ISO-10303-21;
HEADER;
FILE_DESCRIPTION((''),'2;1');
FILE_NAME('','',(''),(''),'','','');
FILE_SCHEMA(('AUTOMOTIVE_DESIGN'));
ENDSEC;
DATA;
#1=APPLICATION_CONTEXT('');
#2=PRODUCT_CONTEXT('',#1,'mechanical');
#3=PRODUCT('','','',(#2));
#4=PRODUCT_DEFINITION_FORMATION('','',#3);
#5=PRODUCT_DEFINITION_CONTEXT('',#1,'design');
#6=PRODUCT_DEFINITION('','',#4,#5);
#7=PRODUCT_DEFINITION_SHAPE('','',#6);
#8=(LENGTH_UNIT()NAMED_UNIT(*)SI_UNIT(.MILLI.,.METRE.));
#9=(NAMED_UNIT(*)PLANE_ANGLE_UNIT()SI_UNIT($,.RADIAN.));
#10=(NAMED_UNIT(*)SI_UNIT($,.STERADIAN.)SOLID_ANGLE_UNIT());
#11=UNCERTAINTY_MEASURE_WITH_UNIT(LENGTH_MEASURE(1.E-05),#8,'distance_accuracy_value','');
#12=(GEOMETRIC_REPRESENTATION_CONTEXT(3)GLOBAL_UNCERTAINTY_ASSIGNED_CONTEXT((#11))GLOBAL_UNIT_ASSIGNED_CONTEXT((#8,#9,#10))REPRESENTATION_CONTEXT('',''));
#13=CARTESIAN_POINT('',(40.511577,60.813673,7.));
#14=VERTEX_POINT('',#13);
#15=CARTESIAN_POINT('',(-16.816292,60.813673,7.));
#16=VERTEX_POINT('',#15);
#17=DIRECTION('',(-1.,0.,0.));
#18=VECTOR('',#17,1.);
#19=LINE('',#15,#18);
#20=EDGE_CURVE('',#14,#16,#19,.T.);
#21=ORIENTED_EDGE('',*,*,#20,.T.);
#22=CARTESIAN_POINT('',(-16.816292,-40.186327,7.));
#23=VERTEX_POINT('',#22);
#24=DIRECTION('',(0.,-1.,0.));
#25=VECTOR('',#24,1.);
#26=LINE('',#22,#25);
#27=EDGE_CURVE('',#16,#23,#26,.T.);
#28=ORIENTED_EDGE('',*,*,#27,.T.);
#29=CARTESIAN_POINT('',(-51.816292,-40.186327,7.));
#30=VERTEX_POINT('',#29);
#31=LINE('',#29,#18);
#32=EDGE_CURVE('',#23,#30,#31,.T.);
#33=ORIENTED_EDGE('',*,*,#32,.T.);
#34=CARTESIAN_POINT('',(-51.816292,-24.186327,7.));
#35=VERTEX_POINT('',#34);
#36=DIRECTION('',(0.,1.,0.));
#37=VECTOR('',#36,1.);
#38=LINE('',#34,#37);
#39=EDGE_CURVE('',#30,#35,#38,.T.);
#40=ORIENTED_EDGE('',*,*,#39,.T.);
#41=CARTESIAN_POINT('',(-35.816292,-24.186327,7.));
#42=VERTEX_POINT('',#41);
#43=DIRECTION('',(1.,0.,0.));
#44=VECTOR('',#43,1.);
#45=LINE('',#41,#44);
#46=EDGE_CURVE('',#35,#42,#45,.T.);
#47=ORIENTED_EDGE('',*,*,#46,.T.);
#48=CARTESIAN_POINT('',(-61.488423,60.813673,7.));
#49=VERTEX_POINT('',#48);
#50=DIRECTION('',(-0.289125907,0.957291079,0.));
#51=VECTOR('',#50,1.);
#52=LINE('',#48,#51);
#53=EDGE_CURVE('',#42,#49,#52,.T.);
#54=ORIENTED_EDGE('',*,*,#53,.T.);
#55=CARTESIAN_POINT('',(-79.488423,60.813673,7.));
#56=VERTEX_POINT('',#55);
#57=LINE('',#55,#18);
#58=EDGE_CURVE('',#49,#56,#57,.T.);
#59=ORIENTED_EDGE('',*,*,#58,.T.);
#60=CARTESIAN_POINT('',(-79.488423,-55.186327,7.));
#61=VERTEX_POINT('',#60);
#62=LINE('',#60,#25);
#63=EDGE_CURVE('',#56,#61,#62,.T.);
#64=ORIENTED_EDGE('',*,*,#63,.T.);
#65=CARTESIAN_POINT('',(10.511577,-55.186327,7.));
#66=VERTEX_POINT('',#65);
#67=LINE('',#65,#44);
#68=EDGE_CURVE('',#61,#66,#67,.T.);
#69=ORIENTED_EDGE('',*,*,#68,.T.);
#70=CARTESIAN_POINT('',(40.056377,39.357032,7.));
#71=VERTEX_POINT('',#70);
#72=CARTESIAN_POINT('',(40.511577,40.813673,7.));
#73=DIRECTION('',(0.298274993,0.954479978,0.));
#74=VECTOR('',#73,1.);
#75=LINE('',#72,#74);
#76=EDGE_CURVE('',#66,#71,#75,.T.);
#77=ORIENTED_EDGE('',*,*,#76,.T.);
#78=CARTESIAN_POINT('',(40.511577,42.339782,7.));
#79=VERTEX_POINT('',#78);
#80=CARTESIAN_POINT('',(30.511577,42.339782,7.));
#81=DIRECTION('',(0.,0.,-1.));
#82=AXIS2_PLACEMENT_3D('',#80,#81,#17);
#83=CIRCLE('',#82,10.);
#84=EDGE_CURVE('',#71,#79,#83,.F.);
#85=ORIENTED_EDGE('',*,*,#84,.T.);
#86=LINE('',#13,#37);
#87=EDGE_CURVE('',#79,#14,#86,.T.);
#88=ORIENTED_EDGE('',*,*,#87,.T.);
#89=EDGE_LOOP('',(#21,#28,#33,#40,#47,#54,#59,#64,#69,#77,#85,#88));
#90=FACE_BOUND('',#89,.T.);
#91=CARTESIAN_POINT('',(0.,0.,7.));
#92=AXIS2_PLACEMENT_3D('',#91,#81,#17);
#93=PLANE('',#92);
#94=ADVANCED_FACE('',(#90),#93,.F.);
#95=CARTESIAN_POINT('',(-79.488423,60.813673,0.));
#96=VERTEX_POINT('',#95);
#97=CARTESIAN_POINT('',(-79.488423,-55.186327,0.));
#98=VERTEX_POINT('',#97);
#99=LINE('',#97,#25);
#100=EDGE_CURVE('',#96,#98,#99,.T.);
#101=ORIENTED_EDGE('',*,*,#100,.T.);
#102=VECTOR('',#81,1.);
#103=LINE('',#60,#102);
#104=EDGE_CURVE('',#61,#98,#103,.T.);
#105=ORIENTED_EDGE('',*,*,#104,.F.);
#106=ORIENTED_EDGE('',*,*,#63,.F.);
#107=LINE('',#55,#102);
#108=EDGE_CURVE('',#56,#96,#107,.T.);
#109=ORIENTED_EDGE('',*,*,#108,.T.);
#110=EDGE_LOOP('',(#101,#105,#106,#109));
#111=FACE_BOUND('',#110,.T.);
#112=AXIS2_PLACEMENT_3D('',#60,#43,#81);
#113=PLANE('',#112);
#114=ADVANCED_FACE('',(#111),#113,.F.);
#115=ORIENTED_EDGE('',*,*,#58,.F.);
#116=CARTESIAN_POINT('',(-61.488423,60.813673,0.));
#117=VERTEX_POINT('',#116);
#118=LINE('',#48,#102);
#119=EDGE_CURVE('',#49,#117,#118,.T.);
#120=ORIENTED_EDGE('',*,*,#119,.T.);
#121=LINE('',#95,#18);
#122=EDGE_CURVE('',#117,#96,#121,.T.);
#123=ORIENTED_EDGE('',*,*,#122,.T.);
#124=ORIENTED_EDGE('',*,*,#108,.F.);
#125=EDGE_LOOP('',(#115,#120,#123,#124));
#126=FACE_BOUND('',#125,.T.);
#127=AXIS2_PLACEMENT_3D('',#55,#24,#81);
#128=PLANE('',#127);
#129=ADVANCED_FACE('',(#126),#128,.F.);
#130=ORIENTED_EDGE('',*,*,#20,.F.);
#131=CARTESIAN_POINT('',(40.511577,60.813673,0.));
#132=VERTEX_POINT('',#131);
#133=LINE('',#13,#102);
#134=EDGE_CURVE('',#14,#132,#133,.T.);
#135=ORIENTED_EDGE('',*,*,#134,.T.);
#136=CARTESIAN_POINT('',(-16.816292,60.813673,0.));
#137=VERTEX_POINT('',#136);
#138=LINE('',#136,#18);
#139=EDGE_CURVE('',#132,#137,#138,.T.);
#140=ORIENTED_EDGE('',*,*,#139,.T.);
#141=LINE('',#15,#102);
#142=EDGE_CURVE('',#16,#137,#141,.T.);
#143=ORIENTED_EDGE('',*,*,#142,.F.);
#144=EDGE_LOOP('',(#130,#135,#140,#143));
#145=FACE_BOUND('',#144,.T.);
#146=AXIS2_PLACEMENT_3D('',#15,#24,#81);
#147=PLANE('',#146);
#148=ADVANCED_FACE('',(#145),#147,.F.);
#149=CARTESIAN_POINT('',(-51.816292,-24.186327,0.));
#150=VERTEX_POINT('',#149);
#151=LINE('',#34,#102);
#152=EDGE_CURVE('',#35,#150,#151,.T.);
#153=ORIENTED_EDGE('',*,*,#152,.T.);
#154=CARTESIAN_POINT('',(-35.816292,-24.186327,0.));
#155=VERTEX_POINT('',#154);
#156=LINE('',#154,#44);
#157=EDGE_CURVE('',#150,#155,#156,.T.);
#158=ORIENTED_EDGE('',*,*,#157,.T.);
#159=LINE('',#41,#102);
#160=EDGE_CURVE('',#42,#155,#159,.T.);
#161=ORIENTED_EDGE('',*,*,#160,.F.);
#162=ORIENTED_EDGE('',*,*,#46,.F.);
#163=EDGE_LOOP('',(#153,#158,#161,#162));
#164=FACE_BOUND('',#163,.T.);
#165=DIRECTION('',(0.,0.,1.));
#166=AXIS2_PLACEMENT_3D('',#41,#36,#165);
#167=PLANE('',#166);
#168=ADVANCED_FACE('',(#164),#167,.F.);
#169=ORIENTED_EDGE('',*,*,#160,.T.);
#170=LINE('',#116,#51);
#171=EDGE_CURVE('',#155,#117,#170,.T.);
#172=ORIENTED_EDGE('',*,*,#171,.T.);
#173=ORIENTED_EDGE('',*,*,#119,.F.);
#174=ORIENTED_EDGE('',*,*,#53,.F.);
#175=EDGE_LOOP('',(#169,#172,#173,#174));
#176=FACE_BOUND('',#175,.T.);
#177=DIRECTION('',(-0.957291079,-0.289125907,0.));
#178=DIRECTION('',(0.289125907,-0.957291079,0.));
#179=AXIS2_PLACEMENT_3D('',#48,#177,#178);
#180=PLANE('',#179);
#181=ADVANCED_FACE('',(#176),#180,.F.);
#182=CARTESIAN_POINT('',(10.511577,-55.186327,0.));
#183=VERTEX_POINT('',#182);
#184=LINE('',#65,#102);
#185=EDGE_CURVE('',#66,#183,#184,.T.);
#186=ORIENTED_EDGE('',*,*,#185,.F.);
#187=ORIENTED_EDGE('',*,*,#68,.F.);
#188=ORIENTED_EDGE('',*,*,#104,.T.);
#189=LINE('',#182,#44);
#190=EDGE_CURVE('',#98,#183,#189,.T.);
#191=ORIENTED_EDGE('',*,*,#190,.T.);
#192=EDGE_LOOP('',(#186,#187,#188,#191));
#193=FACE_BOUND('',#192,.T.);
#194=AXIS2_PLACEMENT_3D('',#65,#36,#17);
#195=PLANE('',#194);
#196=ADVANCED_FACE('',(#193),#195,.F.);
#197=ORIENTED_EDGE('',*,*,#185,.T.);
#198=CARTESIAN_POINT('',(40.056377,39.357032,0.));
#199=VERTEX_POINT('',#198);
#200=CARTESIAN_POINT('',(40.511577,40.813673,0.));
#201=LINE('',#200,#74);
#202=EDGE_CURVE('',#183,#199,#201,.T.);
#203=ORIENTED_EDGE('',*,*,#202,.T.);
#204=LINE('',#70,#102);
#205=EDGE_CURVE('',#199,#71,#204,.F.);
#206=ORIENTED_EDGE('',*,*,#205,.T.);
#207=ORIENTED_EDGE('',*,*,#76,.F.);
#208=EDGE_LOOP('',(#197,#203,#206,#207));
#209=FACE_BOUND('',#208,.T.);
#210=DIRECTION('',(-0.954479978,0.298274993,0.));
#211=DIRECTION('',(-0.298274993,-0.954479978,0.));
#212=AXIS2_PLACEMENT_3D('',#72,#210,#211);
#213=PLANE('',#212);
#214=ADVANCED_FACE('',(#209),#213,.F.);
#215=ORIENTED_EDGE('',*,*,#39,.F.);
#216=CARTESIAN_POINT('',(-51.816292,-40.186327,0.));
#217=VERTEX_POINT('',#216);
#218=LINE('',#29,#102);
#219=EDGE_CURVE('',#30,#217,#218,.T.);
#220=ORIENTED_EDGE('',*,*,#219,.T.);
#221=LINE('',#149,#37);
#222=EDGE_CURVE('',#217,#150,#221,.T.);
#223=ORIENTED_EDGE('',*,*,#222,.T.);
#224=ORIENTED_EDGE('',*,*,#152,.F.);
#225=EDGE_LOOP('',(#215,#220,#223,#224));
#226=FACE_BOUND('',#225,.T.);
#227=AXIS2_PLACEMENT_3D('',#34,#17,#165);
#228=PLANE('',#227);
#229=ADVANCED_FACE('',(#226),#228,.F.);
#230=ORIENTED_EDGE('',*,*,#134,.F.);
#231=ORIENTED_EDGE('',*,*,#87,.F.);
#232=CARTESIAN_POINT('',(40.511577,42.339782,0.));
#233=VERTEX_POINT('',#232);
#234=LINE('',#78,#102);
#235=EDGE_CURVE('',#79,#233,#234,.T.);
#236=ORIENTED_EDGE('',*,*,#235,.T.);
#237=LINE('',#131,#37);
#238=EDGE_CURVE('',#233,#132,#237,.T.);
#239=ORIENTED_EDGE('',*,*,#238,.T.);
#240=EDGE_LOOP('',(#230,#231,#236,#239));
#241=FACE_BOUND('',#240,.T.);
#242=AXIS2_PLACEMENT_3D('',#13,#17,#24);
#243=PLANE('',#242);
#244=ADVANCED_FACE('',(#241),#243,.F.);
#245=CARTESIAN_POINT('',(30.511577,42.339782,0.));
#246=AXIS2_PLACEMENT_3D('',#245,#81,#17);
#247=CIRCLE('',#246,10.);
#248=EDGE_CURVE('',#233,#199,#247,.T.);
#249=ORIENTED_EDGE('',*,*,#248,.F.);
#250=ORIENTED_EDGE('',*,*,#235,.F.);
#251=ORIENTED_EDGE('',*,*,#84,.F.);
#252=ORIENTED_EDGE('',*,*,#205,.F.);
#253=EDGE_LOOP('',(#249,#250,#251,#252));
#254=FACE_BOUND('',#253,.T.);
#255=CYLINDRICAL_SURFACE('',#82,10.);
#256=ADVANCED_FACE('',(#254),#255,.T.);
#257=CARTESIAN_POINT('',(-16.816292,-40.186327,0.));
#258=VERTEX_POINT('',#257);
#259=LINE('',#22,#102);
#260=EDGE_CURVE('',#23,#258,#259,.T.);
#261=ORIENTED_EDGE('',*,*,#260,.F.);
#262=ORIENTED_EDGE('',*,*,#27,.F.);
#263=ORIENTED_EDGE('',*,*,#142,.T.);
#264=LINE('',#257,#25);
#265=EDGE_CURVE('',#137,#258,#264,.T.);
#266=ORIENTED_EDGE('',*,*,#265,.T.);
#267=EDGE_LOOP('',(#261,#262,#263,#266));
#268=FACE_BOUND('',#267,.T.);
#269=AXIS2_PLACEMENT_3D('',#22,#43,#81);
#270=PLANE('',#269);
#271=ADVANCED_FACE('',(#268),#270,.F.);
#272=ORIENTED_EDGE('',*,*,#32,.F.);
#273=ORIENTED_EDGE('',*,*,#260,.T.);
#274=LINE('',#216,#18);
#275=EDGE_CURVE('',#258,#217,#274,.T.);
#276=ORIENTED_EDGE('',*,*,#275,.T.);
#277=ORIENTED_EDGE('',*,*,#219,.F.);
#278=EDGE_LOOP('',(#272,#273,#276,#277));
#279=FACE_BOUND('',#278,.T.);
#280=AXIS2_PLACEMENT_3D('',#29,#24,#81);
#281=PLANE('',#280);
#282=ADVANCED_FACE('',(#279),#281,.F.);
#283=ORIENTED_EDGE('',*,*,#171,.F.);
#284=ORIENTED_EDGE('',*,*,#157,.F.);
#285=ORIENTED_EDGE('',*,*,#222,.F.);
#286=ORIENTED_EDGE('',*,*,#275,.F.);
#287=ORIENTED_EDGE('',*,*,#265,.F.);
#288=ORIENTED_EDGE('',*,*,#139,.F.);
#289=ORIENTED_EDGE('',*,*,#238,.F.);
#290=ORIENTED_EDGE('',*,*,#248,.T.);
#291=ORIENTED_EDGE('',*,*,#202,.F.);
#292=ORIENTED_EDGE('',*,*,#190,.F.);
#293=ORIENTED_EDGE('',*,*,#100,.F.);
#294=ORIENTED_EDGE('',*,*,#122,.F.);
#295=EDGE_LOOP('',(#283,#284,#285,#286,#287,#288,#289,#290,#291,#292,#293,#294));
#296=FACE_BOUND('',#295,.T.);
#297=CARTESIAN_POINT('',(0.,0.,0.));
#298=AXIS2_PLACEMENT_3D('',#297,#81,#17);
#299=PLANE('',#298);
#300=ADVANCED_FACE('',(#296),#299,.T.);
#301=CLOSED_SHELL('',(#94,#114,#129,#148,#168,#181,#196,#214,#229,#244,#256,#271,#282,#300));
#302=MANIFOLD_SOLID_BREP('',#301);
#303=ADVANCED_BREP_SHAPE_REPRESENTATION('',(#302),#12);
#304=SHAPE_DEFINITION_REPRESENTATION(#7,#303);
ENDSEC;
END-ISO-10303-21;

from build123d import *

# Parameters (mm, degrees)
EXTRUDE_1_DEPTH = 7
FILLET_1_R      = 10


with BuildPart() as part:
    # 草图1 → 凸台-拉伸1 (new body)
    with BuildSketch(Plane.XY):
        Polygon((-79.488423121, 60.813672833), (-61.488423121, 60.813672833), (-35.816291974, -24.186327167), (-51.816291974, -24.186327167), (-51.816291974, -40.186327167), (-16.816291974, -40.186327167), (-16.816291974, 60.813672833), (40.511576879, 60.813672833), (40.511576879, 40.813672833), (10.511576879, -55.186327167), (-79.488423121, -55.186327167), align=None)
    extrude(amount=EXTRUDE_1_DEPTH)

    # 圆角1
    fillet_1_edges = [part.edges().sort_by_distance(p)[0] for p in [
        (40.511576879, 40.813672833, 3.5),
    ]]
    fillet(fillet_1_edges, radius=FILLET_1_R)


solid = part.part
